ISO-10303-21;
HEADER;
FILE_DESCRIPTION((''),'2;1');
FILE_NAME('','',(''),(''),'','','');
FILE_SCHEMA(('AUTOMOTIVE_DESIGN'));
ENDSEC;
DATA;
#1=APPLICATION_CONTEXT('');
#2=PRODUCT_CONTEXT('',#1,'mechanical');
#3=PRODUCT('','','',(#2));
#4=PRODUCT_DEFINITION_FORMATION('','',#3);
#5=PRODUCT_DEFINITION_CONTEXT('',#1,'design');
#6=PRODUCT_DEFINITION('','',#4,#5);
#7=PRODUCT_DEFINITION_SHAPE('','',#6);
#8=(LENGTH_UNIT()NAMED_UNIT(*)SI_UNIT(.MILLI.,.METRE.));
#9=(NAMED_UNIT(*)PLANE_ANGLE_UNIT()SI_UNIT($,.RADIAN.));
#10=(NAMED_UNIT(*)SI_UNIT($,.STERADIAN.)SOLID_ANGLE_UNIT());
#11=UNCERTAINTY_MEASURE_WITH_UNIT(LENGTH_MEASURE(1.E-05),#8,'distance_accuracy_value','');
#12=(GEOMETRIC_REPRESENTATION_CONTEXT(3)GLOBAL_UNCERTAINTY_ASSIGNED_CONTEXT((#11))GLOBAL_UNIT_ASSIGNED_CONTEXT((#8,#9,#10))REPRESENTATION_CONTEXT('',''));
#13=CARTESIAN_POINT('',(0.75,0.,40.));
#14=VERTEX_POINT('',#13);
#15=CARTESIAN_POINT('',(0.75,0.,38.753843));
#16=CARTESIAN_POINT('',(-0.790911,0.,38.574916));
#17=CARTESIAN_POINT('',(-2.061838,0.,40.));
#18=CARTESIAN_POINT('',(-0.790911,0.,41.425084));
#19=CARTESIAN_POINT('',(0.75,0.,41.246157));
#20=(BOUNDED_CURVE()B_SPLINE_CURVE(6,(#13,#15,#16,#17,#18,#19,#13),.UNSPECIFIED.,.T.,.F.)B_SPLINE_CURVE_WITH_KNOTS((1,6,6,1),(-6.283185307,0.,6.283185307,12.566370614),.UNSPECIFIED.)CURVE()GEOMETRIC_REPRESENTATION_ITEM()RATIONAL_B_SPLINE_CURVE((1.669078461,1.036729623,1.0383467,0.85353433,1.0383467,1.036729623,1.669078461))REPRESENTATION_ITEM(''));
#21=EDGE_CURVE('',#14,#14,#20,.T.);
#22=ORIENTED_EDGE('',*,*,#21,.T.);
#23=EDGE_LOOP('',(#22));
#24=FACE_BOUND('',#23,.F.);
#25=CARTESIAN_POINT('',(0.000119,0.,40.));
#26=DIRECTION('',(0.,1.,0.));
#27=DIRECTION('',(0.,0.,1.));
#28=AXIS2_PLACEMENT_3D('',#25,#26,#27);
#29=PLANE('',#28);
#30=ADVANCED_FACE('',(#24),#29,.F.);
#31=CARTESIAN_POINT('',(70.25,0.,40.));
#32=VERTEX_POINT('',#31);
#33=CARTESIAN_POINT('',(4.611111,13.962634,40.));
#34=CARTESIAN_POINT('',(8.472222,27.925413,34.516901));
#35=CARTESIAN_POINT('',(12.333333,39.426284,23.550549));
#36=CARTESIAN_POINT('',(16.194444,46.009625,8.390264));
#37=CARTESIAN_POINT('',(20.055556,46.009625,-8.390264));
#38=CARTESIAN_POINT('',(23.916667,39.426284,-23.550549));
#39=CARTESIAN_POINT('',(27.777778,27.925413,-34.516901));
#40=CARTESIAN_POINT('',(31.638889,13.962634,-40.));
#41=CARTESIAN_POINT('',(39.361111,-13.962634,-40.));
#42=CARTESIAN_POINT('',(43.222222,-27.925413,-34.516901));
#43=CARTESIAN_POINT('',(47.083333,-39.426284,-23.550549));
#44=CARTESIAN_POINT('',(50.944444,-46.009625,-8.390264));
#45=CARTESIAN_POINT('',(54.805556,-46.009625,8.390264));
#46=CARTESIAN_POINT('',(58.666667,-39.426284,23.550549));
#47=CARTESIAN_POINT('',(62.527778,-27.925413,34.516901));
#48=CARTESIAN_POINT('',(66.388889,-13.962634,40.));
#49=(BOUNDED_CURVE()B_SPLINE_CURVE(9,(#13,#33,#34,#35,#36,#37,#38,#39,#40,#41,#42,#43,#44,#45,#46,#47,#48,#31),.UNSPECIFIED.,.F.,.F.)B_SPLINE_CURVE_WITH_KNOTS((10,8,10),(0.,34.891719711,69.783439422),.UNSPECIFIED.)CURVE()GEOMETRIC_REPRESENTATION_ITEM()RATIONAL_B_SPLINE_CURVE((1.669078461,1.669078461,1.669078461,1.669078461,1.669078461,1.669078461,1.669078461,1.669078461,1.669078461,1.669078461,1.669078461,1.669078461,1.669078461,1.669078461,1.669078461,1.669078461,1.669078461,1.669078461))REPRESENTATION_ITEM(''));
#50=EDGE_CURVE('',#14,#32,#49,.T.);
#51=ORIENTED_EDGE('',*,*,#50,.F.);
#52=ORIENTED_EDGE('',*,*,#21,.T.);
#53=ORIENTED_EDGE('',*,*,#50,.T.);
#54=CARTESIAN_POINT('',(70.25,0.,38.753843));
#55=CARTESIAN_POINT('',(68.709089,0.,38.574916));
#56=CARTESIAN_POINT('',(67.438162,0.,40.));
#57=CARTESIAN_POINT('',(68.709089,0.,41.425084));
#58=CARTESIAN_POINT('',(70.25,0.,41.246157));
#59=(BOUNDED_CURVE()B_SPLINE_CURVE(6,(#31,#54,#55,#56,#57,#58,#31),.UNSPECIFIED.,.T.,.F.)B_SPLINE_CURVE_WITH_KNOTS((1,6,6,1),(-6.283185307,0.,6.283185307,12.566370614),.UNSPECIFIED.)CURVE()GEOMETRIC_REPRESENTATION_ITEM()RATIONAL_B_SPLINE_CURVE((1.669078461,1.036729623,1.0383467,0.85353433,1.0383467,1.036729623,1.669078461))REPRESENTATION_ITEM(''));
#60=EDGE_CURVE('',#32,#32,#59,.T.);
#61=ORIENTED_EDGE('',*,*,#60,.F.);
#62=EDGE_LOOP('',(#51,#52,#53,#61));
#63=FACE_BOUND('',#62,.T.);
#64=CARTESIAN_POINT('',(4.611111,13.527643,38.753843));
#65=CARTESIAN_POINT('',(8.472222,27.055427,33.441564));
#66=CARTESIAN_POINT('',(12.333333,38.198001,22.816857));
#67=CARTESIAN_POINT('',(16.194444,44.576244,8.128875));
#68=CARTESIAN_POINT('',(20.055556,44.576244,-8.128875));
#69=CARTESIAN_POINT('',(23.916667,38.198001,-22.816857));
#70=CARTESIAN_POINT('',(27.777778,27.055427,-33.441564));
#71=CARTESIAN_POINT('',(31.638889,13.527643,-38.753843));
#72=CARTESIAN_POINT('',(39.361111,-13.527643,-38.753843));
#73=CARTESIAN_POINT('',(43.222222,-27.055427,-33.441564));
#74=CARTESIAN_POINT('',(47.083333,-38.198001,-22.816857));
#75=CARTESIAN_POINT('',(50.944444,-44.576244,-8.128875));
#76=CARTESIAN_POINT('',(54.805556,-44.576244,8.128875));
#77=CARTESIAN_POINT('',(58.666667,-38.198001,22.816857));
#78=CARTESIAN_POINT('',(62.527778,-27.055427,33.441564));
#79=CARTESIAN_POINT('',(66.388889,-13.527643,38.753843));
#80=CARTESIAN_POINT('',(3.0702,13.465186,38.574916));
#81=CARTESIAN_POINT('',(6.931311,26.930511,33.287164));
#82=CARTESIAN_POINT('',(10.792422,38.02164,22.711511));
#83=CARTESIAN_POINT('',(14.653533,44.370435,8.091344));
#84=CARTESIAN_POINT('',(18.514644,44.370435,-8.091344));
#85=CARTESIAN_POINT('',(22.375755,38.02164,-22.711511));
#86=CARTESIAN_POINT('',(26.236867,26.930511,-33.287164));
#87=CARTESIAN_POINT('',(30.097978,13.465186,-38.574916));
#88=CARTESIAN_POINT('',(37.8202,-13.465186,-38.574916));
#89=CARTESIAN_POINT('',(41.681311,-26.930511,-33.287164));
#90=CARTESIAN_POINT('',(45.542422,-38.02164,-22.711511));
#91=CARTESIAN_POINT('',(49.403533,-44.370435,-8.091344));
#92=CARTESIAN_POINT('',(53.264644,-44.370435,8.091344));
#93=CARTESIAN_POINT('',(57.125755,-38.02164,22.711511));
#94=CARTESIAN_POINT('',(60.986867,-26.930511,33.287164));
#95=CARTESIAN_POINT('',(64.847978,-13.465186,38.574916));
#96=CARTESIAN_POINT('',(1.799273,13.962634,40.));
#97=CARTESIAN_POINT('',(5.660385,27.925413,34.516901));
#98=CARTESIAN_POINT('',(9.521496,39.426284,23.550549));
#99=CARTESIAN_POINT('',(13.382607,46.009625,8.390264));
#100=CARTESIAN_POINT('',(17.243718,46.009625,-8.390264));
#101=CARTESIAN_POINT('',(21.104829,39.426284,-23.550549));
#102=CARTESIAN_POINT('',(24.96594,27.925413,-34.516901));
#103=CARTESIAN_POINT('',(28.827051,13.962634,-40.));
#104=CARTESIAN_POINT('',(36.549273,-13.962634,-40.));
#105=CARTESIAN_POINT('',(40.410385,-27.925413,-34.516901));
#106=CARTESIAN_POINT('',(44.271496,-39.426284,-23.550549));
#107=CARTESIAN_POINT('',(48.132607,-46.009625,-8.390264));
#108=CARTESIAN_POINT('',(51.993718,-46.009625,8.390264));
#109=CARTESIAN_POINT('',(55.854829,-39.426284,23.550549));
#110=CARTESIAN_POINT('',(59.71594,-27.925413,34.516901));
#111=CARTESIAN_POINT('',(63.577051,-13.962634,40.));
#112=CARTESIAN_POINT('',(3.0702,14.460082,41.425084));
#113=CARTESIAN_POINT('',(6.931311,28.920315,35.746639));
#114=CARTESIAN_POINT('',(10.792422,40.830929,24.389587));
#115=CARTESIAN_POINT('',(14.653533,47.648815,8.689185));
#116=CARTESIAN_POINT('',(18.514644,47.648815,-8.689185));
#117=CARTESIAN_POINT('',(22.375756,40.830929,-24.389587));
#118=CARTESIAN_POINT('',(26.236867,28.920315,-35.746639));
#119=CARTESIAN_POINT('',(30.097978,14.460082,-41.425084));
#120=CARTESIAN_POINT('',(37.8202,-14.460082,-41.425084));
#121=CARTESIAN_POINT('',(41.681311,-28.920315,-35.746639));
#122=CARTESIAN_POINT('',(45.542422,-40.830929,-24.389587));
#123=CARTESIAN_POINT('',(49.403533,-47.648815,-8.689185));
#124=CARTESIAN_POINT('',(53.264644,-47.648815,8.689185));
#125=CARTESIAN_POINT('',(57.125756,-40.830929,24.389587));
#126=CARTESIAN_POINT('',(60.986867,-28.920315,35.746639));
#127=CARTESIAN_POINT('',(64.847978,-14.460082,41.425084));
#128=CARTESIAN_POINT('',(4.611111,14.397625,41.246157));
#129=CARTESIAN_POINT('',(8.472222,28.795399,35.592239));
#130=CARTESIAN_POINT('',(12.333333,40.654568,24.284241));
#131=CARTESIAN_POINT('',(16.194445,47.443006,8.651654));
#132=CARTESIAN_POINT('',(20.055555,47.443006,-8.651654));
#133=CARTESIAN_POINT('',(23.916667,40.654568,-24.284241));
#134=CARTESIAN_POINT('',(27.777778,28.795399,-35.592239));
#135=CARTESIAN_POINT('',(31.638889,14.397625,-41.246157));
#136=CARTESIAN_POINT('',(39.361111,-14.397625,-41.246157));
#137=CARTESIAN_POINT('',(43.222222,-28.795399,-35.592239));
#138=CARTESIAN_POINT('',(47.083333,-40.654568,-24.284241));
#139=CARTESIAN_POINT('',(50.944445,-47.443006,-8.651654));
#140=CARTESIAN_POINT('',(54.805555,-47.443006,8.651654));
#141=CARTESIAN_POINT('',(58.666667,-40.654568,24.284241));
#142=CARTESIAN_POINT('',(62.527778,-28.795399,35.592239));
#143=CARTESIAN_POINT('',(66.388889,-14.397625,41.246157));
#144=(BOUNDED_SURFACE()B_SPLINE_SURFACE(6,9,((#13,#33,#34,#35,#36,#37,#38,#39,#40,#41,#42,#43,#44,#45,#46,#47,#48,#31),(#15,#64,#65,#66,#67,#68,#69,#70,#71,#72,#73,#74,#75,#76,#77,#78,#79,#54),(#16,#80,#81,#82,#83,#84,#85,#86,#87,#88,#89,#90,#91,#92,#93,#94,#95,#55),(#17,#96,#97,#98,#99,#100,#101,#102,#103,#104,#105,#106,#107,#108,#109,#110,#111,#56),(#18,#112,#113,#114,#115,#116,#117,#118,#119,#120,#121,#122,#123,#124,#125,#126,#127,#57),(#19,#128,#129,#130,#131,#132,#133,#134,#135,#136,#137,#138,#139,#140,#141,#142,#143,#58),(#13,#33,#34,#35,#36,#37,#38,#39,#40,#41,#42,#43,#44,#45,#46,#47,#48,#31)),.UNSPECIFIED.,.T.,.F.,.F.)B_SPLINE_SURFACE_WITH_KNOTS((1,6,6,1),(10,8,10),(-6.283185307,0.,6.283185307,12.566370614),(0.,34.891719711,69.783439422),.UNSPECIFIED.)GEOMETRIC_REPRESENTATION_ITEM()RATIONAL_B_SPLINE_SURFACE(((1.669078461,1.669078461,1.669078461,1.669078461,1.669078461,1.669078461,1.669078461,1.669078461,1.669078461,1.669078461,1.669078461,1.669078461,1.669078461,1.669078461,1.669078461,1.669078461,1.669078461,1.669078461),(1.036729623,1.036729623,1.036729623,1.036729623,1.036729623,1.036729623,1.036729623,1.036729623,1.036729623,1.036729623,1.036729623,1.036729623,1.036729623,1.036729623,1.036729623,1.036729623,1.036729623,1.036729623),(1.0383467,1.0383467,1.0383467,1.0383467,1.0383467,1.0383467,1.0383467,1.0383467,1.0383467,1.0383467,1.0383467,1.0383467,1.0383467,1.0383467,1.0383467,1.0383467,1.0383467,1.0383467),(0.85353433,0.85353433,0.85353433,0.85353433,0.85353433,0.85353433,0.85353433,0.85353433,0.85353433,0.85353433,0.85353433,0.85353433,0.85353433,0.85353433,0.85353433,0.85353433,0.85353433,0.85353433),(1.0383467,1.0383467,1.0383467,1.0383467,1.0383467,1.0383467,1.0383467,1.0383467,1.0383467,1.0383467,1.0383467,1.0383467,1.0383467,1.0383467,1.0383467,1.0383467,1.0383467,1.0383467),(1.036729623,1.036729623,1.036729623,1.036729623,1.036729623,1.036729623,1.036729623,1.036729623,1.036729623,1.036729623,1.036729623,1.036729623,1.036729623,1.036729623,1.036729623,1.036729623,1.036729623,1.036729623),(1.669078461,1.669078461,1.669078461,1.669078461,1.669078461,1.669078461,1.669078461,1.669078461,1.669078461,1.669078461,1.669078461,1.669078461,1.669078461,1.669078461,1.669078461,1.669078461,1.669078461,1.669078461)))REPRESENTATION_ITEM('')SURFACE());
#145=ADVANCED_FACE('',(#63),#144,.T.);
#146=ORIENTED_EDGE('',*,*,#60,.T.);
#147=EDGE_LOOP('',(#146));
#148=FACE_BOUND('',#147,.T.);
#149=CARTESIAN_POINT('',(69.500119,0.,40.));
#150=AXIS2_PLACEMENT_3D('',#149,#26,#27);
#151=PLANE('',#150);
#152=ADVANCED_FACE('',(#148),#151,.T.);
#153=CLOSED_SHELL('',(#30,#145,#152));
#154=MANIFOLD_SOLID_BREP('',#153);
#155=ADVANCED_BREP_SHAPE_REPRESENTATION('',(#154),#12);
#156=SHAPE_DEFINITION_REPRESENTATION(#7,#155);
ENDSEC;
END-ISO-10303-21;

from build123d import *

# Parameters (mm, degrees)
SWEEP_1_PITCH  = 69.5
SWEEP_1_HEIGHT = 69.5
SWEEP_1_RADIUS = 40
SKETCH_2_R     = 0.75


with BuildPart() as part:
    # По траектории1: sweep along a helix
    with BuildLine() as sweep_1_path:
        Helix(SWEEP_1_PITCH, SWEEP_1_HEIGHT, SWEEP_1_RADIUS, center=(0, 0, 0), direction=(1, 0, 0), lefthand=True)
    # Эскиз2 → По траектории1 (sweep)
    with BuildSketch(Plane(origin=(0, 0, 0), x_dir=(1, 0, 0), z_dir=(0, 1, 0))):
        with Locations((0, -40)):
            Circle(SKETCH_2_R)
    sweep(path=sweep_1_path.line, is_frenet=True)


solid = part.part
